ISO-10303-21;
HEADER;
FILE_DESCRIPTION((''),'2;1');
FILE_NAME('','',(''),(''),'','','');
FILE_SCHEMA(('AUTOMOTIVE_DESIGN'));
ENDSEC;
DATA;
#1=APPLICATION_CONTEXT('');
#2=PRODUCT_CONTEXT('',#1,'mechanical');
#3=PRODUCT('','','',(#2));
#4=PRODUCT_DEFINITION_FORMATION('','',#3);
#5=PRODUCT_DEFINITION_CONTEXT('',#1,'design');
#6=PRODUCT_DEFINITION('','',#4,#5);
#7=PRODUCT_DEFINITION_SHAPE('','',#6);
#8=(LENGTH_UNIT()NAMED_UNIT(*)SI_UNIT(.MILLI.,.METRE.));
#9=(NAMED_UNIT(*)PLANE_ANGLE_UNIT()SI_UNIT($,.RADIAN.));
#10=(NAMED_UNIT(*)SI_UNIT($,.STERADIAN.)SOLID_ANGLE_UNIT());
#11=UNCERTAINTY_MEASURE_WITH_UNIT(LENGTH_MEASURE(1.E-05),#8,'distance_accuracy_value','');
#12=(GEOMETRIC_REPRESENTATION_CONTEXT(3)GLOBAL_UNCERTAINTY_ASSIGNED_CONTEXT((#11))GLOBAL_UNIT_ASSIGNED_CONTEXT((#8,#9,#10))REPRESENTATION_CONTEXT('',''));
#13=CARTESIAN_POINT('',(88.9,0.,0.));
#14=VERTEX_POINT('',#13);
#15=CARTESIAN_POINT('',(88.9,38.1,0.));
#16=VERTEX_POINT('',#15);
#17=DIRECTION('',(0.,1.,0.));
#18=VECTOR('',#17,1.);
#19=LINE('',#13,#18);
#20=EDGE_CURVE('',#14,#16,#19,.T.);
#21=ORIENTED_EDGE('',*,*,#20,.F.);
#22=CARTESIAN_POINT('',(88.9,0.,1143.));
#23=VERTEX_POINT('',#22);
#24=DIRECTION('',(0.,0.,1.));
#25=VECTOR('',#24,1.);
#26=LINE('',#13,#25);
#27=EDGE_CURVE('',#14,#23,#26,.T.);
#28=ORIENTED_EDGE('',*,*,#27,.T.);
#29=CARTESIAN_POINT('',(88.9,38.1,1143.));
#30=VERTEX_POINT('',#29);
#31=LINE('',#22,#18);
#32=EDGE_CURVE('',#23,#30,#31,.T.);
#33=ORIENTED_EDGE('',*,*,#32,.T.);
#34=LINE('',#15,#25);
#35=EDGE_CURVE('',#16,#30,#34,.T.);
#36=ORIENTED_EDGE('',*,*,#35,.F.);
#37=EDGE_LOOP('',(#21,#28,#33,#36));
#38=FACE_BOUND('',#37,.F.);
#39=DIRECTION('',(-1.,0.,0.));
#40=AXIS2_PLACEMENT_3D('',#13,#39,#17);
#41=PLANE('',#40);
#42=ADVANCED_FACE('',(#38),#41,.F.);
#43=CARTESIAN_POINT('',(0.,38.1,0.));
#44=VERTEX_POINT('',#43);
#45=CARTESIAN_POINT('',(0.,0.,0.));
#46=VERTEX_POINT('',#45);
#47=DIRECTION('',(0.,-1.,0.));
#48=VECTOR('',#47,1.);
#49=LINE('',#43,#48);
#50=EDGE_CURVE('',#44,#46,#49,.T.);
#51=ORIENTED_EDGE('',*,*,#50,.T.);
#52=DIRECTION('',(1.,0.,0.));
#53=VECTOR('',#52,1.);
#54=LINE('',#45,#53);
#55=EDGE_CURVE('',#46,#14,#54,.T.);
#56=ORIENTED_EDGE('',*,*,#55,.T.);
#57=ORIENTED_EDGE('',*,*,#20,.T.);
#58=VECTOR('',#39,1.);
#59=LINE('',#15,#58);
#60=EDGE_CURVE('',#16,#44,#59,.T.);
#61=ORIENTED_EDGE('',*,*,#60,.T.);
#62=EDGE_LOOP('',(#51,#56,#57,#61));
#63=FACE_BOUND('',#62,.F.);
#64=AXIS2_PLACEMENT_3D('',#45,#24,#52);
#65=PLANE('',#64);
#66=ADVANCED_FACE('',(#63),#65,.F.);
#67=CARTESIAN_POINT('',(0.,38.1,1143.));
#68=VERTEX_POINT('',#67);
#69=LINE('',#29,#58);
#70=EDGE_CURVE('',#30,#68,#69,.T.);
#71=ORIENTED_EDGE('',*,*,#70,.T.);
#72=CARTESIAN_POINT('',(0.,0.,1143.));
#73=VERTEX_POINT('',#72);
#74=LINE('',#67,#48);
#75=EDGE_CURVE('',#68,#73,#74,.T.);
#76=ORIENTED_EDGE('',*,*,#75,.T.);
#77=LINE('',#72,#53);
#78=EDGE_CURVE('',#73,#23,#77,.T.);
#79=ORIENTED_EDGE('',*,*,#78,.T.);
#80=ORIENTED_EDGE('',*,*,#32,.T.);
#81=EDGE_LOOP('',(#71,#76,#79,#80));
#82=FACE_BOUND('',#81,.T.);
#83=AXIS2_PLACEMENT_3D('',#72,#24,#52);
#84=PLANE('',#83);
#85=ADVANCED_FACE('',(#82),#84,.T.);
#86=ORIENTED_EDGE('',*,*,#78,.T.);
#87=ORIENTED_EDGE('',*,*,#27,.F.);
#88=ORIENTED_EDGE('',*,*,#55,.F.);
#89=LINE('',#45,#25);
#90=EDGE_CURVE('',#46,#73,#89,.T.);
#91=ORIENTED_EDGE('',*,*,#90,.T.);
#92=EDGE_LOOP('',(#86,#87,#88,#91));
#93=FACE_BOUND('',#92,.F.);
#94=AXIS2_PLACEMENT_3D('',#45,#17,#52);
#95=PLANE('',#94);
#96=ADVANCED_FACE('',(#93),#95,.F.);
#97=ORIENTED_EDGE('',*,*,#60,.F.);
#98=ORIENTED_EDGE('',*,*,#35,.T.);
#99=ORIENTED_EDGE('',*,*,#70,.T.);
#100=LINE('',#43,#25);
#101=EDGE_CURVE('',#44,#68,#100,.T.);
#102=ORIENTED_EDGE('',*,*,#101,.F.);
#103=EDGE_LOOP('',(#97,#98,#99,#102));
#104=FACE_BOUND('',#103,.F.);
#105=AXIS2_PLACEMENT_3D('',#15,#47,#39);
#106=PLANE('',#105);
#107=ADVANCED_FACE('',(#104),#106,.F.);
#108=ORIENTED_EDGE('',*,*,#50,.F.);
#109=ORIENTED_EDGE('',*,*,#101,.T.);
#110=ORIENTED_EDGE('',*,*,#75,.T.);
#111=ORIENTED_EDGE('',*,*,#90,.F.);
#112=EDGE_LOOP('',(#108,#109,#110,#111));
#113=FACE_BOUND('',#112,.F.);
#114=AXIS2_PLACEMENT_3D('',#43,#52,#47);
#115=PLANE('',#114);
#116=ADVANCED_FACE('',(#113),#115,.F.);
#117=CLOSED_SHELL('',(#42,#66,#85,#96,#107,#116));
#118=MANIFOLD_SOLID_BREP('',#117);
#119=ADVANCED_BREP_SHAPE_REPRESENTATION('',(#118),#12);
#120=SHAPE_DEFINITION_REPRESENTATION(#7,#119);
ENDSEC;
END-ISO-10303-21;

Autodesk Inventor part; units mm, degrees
ref_plane "YZ Plane" through (0, 0, 0) normal (1, 0, 0) x (0, 1, 0)
ref_plane "XZ Plane" through (0, 0, 0) normal (0, 1, 0) x (-1, 0, 0)
ref_plane "XY Plane" through (0, 0, 0) normal (0, 0, 1) x (1, 0, 0)
sketch "Sketch1" plane through (0, 0, 0) normal (0, 0, 1) x (1, 0, 0)
  line L0 (0, 0) -> (88.9, 0)
  line L1 (88.9, 0) -> (88.9, 38.1)
  line L2 (88.9, 38.1) -> (0, 38.1)
  line L3 (0, 38.1) -> (0, 0)
  dimension "d0" = 38.1
  dimension "d1" = 88.9
extrude "Extrusion1" add sketch "Sketch1" along normal blind 1143
properties part number "2x4x45"
